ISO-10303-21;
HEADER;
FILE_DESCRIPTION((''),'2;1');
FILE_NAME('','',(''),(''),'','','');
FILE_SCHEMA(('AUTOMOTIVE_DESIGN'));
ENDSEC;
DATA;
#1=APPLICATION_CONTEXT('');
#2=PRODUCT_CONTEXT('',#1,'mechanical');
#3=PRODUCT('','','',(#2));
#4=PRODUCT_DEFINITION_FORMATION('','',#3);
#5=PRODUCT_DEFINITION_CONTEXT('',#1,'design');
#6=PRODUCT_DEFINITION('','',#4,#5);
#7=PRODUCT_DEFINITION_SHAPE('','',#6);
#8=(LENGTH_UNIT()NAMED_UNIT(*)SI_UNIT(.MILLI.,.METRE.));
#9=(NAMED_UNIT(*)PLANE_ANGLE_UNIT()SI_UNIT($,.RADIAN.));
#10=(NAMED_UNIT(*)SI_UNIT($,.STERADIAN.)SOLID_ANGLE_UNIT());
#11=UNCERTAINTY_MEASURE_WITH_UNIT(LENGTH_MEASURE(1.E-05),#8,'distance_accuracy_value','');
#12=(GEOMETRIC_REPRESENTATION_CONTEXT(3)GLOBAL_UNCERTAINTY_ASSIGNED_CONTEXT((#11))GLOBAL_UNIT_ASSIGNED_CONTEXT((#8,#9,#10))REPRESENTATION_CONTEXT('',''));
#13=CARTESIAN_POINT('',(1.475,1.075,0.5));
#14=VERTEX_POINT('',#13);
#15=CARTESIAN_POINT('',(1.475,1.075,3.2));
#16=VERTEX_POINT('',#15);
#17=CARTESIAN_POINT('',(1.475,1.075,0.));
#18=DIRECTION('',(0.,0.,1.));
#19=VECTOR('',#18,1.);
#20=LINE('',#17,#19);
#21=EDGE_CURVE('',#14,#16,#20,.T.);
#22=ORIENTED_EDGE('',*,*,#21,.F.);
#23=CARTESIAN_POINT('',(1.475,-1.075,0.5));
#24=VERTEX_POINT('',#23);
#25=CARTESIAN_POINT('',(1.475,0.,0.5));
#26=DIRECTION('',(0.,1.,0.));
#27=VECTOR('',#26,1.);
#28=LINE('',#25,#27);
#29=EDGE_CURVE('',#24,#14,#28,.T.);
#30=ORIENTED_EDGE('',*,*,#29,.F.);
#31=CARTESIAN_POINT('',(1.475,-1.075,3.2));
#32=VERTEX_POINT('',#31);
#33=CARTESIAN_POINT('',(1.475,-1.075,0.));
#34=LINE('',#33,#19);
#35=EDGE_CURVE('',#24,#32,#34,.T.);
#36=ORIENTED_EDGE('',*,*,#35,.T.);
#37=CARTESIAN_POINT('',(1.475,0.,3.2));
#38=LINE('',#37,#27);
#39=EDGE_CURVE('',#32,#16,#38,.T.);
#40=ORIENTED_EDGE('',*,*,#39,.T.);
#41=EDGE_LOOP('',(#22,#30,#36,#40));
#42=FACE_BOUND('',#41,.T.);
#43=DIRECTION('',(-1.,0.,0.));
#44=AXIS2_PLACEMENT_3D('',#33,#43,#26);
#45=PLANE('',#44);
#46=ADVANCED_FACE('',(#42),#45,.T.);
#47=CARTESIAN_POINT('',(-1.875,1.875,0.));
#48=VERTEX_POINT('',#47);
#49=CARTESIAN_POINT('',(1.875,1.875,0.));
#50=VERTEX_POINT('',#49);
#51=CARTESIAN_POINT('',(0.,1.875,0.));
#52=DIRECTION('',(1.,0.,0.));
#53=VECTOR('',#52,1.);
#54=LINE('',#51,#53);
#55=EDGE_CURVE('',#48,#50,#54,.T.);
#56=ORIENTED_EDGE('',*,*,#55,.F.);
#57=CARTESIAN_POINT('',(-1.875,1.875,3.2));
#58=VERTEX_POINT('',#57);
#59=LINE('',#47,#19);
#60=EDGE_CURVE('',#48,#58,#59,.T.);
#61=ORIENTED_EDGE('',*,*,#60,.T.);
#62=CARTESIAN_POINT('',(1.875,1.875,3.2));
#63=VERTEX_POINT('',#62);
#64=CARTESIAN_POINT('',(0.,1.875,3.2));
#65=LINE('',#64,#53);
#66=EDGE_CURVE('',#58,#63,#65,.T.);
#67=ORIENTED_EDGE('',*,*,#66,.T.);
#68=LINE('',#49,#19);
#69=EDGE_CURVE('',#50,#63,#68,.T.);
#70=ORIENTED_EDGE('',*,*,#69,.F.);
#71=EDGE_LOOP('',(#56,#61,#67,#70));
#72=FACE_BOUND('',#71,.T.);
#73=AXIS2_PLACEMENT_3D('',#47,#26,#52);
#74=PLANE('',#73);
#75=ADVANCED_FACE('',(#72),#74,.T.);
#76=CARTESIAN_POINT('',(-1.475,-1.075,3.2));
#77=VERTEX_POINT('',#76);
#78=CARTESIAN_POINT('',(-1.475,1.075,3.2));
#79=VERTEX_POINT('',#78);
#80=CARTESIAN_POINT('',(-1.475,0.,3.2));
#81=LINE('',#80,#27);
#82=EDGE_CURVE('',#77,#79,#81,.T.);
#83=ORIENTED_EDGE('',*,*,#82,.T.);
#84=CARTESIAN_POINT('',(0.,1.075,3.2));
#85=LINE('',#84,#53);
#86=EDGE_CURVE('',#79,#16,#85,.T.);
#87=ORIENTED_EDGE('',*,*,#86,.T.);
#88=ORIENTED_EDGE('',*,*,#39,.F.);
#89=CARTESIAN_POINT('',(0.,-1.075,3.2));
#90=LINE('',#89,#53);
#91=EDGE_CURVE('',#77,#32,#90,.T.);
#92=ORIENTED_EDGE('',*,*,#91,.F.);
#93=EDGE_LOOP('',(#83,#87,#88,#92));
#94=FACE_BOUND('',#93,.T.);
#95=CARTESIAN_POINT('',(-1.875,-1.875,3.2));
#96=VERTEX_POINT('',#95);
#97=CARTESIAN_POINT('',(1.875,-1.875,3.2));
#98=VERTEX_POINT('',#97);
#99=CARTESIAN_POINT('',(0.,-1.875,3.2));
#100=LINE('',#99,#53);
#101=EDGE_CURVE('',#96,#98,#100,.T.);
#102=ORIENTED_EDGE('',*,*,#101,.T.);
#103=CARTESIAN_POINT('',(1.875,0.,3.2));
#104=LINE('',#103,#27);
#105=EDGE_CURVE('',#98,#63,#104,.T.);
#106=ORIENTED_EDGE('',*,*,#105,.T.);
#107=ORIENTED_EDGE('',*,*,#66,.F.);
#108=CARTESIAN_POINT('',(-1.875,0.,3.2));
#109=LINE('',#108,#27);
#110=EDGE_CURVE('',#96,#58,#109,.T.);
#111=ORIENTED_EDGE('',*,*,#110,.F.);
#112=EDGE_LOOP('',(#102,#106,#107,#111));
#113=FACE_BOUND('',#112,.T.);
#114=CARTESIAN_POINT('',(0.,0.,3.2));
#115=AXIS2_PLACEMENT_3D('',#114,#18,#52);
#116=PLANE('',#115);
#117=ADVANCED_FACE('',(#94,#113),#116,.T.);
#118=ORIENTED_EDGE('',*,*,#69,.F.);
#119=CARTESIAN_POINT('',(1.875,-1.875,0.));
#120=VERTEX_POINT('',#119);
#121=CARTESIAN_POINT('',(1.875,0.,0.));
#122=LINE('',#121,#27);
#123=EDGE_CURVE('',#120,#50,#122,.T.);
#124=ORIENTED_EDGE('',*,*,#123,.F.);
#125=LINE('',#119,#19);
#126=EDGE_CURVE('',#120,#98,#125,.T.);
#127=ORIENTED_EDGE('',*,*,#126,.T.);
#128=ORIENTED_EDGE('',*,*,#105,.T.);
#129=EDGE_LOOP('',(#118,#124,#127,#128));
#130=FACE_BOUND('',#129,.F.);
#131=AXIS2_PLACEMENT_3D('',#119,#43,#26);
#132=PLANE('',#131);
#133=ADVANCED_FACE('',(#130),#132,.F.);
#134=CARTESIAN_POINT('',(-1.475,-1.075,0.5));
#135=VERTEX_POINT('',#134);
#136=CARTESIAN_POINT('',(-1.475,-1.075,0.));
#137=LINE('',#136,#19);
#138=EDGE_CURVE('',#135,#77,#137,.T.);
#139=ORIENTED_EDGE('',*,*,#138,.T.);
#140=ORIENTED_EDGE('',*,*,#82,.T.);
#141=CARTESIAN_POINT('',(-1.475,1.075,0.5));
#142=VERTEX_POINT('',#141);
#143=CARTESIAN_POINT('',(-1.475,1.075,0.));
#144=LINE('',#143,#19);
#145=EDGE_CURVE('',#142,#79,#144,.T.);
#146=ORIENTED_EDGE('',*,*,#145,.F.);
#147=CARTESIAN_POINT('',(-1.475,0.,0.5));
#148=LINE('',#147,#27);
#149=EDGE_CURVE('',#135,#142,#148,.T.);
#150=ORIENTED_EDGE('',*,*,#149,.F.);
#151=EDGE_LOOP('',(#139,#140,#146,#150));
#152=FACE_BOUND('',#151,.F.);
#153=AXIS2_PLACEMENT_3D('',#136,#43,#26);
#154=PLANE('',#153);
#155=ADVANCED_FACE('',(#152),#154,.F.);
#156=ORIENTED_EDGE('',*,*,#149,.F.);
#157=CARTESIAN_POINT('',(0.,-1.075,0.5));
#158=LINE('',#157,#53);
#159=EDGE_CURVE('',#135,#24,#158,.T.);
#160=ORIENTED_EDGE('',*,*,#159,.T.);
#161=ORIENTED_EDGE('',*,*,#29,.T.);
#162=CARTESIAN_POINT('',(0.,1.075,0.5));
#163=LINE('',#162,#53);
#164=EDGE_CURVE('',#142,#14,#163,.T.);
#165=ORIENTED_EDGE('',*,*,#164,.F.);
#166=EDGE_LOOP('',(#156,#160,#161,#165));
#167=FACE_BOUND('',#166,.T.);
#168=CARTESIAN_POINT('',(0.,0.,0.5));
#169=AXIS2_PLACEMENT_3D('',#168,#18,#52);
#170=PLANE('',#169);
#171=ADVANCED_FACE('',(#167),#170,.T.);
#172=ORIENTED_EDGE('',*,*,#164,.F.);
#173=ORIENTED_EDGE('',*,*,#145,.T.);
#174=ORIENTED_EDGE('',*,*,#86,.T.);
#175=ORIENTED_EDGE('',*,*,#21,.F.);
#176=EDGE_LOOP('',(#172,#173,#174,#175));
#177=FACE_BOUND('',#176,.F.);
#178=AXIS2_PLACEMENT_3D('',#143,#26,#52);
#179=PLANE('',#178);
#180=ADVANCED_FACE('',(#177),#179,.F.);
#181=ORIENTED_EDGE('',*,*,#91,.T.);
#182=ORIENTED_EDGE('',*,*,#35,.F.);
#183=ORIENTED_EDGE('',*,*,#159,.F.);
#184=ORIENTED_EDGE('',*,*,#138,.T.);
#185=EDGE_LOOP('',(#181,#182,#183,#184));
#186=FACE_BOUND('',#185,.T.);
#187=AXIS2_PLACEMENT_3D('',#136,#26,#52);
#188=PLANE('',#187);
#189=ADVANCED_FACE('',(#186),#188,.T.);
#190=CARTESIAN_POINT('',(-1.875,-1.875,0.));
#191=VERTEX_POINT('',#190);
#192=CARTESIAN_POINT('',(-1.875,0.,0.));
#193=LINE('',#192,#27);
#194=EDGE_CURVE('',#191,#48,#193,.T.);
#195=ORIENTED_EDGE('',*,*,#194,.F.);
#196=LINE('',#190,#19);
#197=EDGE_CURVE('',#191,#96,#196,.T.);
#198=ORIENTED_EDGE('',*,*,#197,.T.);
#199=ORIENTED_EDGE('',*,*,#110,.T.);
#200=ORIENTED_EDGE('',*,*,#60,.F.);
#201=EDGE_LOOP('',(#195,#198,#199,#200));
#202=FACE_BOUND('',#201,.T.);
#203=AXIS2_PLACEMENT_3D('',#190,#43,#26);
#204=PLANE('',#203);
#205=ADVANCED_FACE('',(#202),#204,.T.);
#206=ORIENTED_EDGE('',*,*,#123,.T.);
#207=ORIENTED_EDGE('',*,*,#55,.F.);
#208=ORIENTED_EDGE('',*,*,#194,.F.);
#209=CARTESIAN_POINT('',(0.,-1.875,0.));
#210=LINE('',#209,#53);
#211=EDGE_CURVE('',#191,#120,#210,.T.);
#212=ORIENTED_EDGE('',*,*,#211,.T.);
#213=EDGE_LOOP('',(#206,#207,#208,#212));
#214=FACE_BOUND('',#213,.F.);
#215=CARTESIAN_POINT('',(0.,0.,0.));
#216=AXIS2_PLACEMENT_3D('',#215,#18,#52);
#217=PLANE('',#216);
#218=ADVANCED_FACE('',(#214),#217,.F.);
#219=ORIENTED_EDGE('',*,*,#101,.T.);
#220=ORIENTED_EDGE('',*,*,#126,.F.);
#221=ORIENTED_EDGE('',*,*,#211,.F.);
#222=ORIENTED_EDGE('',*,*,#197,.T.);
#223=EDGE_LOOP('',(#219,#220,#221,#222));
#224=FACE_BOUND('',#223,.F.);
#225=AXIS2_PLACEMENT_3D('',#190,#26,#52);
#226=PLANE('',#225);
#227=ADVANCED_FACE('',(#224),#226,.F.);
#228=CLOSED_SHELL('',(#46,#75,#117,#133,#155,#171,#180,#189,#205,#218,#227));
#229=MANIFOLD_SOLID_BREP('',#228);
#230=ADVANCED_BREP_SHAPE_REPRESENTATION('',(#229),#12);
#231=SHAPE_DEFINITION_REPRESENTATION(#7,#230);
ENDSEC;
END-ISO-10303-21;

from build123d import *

# Parameters (mm, degrees)
F0_W     = 3.75
F0_H     = 3.75
F0_W_2   = 2.95
F0_H_2   = 2.15
F1_DEPTH = 3.2
F2_DEPTH = 0.5


with BuildPart() as f1:
    # F0 (on Top) → F1 (new body)
    with BuildSketch(Plane.XY):
        Rectangle(F0_W, F0_H)
        Rectangle(F0_W_2, F0_H_2, mode=Mode.SUBTRACT)
    extrude(amount=F1_DEPTH)

    # F0 (on Top) → F2 (join)
    with BuildSketch(Plane.XY):
        Rectangle(F0_W_2, F0_H_2)
    extrude(amount=F2_DEPTH)


solid = f1.part
